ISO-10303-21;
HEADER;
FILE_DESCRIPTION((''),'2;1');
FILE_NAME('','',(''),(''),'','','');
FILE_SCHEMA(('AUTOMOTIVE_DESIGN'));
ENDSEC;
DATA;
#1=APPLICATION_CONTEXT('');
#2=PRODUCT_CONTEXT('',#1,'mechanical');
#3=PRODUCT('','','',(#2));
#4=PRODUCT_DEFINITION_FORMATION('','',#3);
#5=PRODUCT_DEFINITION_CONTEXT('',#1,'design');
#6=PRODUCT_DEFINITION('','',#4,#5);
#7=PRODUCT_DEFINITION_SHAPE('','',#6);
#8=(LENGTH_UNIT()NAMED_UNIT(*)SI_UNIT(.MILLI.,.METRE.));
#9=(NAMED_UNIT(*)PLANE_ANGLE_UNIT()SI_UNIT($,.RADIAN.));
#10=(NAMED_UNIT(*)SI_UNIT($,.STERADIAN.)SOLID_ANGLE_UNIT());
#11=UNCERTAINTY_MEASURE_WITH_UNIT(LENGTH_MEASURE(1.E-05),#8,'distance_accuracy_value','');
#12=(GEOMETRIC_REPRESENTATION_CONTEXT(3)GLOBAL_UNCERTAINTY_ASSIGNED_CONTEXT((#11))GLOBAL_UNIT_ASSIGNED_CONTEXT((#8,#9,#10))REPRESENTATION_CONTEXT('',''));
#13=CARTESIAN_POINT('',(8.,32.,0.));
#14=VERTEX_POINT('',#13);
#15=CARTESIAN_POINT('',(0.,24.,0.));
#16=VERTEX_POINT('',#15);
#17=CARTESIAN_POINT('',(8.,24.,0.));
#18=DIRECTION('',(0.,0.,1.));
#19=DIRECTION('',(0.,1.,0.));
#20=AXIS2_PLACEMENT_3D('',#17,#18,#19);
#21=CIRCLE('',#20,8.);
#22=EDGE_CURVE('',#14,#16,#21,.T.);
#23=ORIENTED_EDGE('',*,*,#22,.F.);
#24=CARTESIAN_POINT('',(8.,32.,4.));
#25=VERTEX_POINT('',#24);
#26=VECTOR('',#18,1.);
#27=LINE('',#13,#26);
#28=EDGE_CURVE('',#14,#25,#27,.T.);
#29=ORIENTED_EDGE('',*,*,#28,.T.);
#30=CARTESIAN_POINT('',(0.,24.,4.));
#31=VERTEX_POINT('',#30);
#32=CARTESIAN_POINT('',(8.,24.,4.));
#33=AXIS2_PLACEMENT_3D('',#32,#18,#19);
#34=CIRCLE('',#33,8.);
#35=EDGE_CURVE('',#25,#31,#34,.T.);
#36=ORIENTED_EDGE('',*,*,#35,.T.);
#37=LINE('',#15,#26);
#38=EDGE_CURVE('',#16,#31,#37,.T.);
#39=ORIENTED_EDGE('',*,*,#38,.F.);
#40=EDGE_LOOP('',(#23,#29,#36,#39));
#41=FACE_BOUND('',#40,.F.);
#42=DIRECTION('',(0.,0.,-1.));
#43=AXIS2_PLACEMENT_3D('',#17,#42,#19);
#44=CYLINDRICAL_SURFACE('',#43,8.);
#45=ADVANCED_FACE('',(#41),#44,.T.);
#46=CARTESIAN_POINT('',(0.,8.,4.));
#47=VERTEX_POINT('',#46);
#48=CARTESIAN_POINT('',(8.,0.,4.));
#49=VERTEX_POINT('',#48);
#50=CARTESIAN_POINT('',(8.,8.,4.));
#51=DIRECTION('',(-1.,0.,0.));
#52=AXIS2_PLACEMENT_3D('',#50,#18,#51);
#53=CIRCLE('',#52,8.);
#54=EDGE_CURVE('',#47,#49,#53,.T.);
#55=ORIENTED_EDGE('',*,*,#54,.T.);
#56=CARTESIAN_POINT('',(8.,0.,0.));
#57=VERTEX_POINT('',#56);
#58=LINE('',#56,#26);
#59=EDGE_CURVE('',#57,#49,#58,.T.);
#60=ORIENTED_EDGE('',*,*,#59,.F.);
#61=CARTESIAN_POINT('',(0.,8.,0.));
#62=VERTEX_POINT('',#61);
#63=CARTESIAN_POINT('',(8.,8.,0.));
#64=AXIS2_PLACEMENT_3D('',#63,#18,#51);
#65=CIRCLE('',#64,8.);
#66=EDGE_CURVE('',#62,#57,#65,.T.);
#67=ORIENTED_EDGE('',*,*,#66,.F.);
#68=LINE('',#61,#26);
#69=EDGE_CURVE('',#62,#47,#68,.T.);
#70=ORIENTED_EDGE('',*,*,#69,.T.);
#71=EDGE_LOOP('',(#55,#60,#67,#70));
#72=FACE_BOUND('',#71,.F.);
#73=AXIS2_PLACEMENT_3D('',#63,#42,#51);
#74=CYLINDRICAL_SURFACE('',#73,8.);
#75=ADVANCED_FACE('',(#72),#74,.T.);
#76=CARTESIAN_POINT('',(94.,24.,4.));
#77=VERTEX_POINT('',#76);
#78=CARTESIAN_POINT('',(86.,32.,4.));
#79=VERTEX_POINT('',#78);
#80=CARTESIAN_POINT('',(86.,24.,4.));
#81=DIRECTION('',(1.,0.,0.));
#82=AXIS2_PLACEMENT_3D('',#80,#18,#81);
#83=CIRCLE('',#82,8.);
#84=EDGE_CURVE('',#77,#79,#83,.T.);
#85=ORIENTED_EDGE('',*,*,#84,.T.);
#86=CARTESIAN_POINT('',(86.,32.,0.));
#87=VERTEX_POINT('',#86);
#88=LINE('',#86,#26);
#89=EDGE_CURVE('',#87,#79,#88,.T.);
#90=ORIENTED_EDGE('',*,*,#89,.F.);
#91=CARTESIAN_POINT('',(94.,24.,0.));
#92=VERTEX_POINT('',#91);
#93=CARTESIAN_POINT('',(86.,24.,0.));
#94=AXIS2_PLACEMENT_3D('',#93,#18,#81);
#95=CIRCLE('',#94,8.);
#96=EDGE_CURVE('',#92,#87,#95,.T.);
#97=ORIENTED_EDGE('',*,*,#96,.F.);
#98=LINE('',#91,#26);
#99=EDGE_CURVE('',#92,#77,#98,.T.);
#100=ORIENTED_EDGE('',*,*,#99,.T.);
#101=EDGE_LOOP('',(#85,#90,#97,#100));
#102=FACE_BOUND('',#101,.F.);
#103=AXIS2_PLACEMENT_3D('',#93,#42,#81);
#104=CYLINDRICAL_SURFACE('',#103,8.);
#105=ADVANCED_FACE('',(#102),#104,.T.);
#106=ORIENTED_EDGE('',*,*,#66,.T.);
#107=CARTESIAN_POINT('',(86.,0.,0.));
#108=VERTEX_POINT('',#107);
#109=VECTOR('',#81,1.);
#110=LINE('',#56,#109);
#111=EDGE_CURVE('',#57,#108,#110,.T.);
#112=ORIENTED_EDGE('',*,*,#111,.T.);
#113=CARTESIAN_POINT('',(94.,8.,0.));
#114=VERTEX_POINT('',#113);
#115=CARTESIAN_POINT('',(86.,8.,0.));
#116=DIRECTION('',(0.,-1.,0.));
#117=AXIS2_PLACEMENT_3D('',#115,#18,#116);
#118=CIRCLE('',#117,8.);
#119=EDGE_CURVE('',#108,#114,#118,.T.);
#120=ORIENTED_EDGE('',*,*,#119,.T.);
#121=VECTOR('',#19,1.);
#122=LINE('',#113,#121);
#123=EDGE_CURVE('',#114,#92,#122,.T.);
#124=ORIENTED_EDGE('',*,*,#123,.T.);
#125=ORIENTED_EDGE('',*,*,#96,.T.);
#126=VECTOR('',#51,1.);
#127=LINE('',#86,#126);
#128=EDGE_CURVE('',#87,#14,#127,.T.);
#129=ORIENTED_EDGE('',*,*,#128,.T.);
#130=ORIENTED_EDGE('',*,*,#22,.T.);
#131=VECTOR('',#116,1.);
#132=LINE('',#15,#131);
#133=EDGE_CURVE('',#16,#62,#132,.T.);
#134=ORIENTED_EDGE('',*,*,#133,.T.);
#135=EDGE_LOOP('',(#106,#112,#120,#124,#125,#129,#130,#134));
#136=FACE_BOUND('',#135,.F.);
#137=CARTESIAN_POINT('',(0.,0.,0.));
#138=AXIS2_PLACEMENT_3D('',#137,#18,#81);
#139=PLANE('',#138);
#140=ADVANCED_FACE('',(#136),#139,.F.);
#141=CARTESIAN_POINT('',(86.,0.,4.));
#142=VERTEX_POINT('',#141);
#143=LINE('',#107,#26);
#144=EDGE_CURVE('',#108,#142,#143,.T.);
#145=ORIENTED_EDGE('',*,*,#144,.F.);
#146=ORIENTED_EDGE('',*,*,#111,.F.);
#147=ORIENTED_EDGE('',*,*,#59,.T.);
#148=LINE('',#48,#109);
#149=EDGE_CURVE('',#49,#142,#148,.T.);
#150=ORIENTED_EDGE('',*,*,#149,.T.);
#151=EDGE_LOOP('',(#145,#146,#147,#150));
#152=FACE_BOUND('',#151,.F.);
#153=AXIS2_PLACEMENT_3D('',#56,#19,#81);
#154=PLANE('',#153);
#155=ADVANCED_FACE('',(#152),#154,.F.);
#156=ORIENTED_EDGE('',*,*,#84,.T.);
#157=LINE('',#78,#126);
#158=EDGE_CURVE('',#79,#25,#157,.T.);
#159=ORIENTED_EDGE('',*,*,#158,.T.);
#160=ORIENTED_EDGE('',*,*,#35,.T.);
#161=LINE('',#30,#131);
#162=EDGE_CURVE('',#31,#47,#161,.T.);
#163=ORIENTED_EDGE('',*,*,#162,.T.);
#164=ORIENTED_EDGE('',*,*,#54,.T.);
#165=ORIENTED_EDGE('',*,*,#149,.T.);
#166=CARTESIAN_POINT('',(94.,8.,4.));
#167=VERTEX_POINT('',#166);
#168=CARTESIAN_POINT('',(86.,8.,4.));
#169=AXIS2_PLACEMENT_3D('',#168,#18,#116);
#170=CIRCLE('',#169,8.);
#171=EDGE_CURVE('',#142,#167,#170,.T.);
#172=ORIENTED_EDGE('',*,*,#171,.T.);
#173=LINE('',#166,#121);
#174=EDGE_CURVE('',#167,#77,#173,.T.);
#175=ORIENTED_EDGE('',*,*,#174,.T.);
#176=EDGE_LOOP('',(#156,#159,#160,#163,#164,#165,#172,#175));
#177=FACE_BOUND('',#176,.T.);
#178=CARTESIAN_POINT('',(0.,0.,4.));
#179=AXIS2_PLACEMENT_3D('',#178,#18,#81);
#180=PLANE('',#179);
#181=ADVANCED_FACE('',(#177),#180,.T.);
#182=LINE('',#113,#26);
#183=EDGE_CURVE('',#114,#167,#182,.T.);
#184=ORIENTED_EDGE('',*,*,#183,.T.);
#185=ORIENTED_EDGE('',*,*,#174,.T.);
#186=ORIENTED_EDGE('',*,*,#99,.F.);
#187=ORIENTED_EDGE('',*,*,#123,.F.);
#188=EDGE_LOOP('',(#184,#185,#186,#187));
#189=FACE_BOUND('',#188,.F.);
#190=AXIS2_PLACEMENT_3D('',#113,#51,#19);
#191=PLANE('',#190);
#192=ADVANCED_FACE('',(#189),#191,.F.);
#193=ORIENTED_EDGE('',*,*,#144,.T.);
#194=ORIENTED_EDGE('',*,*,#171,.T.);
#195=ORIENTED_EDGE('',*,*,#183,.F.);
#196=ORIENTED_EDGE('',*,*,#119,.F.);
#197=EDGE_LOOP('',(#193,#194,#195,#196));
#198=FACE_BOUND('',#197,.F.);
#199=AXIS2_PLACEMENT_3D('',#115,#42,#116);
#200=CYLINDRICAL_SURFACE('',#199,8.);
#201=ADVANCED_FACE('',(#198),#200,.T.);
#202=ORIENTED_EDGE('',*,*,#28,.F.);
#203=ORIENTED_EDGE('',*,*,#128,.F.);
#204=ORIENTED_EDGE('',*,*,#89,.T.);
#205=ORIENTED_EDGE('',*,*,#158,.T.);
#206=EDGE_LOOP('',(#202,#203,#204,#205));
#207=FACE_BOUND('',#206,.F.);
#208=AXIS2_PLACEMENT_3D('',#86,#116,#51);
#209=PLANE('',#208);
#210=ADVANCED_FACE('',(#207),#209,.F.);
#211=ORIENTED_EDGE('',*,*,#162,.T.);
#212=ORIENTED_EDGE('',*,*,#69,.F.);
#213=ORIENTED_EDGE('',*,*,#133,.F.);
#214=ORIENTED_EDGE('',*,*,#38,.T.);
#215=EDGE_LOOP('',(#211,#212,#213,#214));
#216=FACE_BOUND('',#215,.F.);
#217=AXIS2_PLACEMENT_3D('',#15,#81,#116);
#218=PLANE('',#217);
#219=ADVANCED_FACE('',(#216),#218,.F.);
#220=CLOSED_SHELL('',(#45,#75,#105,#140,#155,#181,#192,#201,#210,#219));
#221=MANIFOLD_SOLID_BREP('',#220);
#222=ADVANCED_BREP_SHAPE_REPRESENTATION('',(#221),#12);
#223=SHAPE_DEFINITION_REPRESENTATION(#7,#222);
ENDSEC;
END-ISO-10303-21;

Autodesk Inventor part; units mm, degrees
ref_plane "YZ Plane" through (0, 0, 0) normal (1, 0, 0) x (0, 1, 0)
ref_plane "XZ Plane" through (0, 0, 0) normal (0, 1, 0) x (-1, 0, 0)
ref_plane "XY Plane" through (0, 0, 0) normal (0, 0, 1) x (1, 0, 0)
sketch "Sketch1" plane through (0, 0, 0) normal (0, 0, 1) x (1, 0, 0)
  line L0 (8, 0) -> (86, 0)
  line L1 (94, 8) -> (94, 24)
  line L2 (86, 32) -> (8, 32)
  line L3 (0, 24) -> (0, 8)
  arc A0 (8, 32) -> (0, 24) centre (8, 24) ccw
  arc A1 (94, 24) -> (86, 32) centre (86, 24) ccw
  arc A2 (86, 0) -> (94, 8) centre (86, 8) ccw
  arc A3 (0, 8) -> (8, 0) centre (8, 8) ccw
  circle A4 centre (51, 20) radius 5
  point P0 (0, 0)
  point P1 (94, 32)
  point P2 (94, 0)
  point P3 (0, 32)
  dimension "d0" = 94
  dimension "d1" = 32
  dimension "d2" = 8
  dimension "d3" = 8
  dimension "d6" = 10
extrude "Extrusion1" add sketch "Sketch1" along normal blind 4 contours A3 L3 A0 L2 A1 L1 A2 L0 | A4
properties part number "PistonFeederHeadInnerMini" material "Stainless Steel"
